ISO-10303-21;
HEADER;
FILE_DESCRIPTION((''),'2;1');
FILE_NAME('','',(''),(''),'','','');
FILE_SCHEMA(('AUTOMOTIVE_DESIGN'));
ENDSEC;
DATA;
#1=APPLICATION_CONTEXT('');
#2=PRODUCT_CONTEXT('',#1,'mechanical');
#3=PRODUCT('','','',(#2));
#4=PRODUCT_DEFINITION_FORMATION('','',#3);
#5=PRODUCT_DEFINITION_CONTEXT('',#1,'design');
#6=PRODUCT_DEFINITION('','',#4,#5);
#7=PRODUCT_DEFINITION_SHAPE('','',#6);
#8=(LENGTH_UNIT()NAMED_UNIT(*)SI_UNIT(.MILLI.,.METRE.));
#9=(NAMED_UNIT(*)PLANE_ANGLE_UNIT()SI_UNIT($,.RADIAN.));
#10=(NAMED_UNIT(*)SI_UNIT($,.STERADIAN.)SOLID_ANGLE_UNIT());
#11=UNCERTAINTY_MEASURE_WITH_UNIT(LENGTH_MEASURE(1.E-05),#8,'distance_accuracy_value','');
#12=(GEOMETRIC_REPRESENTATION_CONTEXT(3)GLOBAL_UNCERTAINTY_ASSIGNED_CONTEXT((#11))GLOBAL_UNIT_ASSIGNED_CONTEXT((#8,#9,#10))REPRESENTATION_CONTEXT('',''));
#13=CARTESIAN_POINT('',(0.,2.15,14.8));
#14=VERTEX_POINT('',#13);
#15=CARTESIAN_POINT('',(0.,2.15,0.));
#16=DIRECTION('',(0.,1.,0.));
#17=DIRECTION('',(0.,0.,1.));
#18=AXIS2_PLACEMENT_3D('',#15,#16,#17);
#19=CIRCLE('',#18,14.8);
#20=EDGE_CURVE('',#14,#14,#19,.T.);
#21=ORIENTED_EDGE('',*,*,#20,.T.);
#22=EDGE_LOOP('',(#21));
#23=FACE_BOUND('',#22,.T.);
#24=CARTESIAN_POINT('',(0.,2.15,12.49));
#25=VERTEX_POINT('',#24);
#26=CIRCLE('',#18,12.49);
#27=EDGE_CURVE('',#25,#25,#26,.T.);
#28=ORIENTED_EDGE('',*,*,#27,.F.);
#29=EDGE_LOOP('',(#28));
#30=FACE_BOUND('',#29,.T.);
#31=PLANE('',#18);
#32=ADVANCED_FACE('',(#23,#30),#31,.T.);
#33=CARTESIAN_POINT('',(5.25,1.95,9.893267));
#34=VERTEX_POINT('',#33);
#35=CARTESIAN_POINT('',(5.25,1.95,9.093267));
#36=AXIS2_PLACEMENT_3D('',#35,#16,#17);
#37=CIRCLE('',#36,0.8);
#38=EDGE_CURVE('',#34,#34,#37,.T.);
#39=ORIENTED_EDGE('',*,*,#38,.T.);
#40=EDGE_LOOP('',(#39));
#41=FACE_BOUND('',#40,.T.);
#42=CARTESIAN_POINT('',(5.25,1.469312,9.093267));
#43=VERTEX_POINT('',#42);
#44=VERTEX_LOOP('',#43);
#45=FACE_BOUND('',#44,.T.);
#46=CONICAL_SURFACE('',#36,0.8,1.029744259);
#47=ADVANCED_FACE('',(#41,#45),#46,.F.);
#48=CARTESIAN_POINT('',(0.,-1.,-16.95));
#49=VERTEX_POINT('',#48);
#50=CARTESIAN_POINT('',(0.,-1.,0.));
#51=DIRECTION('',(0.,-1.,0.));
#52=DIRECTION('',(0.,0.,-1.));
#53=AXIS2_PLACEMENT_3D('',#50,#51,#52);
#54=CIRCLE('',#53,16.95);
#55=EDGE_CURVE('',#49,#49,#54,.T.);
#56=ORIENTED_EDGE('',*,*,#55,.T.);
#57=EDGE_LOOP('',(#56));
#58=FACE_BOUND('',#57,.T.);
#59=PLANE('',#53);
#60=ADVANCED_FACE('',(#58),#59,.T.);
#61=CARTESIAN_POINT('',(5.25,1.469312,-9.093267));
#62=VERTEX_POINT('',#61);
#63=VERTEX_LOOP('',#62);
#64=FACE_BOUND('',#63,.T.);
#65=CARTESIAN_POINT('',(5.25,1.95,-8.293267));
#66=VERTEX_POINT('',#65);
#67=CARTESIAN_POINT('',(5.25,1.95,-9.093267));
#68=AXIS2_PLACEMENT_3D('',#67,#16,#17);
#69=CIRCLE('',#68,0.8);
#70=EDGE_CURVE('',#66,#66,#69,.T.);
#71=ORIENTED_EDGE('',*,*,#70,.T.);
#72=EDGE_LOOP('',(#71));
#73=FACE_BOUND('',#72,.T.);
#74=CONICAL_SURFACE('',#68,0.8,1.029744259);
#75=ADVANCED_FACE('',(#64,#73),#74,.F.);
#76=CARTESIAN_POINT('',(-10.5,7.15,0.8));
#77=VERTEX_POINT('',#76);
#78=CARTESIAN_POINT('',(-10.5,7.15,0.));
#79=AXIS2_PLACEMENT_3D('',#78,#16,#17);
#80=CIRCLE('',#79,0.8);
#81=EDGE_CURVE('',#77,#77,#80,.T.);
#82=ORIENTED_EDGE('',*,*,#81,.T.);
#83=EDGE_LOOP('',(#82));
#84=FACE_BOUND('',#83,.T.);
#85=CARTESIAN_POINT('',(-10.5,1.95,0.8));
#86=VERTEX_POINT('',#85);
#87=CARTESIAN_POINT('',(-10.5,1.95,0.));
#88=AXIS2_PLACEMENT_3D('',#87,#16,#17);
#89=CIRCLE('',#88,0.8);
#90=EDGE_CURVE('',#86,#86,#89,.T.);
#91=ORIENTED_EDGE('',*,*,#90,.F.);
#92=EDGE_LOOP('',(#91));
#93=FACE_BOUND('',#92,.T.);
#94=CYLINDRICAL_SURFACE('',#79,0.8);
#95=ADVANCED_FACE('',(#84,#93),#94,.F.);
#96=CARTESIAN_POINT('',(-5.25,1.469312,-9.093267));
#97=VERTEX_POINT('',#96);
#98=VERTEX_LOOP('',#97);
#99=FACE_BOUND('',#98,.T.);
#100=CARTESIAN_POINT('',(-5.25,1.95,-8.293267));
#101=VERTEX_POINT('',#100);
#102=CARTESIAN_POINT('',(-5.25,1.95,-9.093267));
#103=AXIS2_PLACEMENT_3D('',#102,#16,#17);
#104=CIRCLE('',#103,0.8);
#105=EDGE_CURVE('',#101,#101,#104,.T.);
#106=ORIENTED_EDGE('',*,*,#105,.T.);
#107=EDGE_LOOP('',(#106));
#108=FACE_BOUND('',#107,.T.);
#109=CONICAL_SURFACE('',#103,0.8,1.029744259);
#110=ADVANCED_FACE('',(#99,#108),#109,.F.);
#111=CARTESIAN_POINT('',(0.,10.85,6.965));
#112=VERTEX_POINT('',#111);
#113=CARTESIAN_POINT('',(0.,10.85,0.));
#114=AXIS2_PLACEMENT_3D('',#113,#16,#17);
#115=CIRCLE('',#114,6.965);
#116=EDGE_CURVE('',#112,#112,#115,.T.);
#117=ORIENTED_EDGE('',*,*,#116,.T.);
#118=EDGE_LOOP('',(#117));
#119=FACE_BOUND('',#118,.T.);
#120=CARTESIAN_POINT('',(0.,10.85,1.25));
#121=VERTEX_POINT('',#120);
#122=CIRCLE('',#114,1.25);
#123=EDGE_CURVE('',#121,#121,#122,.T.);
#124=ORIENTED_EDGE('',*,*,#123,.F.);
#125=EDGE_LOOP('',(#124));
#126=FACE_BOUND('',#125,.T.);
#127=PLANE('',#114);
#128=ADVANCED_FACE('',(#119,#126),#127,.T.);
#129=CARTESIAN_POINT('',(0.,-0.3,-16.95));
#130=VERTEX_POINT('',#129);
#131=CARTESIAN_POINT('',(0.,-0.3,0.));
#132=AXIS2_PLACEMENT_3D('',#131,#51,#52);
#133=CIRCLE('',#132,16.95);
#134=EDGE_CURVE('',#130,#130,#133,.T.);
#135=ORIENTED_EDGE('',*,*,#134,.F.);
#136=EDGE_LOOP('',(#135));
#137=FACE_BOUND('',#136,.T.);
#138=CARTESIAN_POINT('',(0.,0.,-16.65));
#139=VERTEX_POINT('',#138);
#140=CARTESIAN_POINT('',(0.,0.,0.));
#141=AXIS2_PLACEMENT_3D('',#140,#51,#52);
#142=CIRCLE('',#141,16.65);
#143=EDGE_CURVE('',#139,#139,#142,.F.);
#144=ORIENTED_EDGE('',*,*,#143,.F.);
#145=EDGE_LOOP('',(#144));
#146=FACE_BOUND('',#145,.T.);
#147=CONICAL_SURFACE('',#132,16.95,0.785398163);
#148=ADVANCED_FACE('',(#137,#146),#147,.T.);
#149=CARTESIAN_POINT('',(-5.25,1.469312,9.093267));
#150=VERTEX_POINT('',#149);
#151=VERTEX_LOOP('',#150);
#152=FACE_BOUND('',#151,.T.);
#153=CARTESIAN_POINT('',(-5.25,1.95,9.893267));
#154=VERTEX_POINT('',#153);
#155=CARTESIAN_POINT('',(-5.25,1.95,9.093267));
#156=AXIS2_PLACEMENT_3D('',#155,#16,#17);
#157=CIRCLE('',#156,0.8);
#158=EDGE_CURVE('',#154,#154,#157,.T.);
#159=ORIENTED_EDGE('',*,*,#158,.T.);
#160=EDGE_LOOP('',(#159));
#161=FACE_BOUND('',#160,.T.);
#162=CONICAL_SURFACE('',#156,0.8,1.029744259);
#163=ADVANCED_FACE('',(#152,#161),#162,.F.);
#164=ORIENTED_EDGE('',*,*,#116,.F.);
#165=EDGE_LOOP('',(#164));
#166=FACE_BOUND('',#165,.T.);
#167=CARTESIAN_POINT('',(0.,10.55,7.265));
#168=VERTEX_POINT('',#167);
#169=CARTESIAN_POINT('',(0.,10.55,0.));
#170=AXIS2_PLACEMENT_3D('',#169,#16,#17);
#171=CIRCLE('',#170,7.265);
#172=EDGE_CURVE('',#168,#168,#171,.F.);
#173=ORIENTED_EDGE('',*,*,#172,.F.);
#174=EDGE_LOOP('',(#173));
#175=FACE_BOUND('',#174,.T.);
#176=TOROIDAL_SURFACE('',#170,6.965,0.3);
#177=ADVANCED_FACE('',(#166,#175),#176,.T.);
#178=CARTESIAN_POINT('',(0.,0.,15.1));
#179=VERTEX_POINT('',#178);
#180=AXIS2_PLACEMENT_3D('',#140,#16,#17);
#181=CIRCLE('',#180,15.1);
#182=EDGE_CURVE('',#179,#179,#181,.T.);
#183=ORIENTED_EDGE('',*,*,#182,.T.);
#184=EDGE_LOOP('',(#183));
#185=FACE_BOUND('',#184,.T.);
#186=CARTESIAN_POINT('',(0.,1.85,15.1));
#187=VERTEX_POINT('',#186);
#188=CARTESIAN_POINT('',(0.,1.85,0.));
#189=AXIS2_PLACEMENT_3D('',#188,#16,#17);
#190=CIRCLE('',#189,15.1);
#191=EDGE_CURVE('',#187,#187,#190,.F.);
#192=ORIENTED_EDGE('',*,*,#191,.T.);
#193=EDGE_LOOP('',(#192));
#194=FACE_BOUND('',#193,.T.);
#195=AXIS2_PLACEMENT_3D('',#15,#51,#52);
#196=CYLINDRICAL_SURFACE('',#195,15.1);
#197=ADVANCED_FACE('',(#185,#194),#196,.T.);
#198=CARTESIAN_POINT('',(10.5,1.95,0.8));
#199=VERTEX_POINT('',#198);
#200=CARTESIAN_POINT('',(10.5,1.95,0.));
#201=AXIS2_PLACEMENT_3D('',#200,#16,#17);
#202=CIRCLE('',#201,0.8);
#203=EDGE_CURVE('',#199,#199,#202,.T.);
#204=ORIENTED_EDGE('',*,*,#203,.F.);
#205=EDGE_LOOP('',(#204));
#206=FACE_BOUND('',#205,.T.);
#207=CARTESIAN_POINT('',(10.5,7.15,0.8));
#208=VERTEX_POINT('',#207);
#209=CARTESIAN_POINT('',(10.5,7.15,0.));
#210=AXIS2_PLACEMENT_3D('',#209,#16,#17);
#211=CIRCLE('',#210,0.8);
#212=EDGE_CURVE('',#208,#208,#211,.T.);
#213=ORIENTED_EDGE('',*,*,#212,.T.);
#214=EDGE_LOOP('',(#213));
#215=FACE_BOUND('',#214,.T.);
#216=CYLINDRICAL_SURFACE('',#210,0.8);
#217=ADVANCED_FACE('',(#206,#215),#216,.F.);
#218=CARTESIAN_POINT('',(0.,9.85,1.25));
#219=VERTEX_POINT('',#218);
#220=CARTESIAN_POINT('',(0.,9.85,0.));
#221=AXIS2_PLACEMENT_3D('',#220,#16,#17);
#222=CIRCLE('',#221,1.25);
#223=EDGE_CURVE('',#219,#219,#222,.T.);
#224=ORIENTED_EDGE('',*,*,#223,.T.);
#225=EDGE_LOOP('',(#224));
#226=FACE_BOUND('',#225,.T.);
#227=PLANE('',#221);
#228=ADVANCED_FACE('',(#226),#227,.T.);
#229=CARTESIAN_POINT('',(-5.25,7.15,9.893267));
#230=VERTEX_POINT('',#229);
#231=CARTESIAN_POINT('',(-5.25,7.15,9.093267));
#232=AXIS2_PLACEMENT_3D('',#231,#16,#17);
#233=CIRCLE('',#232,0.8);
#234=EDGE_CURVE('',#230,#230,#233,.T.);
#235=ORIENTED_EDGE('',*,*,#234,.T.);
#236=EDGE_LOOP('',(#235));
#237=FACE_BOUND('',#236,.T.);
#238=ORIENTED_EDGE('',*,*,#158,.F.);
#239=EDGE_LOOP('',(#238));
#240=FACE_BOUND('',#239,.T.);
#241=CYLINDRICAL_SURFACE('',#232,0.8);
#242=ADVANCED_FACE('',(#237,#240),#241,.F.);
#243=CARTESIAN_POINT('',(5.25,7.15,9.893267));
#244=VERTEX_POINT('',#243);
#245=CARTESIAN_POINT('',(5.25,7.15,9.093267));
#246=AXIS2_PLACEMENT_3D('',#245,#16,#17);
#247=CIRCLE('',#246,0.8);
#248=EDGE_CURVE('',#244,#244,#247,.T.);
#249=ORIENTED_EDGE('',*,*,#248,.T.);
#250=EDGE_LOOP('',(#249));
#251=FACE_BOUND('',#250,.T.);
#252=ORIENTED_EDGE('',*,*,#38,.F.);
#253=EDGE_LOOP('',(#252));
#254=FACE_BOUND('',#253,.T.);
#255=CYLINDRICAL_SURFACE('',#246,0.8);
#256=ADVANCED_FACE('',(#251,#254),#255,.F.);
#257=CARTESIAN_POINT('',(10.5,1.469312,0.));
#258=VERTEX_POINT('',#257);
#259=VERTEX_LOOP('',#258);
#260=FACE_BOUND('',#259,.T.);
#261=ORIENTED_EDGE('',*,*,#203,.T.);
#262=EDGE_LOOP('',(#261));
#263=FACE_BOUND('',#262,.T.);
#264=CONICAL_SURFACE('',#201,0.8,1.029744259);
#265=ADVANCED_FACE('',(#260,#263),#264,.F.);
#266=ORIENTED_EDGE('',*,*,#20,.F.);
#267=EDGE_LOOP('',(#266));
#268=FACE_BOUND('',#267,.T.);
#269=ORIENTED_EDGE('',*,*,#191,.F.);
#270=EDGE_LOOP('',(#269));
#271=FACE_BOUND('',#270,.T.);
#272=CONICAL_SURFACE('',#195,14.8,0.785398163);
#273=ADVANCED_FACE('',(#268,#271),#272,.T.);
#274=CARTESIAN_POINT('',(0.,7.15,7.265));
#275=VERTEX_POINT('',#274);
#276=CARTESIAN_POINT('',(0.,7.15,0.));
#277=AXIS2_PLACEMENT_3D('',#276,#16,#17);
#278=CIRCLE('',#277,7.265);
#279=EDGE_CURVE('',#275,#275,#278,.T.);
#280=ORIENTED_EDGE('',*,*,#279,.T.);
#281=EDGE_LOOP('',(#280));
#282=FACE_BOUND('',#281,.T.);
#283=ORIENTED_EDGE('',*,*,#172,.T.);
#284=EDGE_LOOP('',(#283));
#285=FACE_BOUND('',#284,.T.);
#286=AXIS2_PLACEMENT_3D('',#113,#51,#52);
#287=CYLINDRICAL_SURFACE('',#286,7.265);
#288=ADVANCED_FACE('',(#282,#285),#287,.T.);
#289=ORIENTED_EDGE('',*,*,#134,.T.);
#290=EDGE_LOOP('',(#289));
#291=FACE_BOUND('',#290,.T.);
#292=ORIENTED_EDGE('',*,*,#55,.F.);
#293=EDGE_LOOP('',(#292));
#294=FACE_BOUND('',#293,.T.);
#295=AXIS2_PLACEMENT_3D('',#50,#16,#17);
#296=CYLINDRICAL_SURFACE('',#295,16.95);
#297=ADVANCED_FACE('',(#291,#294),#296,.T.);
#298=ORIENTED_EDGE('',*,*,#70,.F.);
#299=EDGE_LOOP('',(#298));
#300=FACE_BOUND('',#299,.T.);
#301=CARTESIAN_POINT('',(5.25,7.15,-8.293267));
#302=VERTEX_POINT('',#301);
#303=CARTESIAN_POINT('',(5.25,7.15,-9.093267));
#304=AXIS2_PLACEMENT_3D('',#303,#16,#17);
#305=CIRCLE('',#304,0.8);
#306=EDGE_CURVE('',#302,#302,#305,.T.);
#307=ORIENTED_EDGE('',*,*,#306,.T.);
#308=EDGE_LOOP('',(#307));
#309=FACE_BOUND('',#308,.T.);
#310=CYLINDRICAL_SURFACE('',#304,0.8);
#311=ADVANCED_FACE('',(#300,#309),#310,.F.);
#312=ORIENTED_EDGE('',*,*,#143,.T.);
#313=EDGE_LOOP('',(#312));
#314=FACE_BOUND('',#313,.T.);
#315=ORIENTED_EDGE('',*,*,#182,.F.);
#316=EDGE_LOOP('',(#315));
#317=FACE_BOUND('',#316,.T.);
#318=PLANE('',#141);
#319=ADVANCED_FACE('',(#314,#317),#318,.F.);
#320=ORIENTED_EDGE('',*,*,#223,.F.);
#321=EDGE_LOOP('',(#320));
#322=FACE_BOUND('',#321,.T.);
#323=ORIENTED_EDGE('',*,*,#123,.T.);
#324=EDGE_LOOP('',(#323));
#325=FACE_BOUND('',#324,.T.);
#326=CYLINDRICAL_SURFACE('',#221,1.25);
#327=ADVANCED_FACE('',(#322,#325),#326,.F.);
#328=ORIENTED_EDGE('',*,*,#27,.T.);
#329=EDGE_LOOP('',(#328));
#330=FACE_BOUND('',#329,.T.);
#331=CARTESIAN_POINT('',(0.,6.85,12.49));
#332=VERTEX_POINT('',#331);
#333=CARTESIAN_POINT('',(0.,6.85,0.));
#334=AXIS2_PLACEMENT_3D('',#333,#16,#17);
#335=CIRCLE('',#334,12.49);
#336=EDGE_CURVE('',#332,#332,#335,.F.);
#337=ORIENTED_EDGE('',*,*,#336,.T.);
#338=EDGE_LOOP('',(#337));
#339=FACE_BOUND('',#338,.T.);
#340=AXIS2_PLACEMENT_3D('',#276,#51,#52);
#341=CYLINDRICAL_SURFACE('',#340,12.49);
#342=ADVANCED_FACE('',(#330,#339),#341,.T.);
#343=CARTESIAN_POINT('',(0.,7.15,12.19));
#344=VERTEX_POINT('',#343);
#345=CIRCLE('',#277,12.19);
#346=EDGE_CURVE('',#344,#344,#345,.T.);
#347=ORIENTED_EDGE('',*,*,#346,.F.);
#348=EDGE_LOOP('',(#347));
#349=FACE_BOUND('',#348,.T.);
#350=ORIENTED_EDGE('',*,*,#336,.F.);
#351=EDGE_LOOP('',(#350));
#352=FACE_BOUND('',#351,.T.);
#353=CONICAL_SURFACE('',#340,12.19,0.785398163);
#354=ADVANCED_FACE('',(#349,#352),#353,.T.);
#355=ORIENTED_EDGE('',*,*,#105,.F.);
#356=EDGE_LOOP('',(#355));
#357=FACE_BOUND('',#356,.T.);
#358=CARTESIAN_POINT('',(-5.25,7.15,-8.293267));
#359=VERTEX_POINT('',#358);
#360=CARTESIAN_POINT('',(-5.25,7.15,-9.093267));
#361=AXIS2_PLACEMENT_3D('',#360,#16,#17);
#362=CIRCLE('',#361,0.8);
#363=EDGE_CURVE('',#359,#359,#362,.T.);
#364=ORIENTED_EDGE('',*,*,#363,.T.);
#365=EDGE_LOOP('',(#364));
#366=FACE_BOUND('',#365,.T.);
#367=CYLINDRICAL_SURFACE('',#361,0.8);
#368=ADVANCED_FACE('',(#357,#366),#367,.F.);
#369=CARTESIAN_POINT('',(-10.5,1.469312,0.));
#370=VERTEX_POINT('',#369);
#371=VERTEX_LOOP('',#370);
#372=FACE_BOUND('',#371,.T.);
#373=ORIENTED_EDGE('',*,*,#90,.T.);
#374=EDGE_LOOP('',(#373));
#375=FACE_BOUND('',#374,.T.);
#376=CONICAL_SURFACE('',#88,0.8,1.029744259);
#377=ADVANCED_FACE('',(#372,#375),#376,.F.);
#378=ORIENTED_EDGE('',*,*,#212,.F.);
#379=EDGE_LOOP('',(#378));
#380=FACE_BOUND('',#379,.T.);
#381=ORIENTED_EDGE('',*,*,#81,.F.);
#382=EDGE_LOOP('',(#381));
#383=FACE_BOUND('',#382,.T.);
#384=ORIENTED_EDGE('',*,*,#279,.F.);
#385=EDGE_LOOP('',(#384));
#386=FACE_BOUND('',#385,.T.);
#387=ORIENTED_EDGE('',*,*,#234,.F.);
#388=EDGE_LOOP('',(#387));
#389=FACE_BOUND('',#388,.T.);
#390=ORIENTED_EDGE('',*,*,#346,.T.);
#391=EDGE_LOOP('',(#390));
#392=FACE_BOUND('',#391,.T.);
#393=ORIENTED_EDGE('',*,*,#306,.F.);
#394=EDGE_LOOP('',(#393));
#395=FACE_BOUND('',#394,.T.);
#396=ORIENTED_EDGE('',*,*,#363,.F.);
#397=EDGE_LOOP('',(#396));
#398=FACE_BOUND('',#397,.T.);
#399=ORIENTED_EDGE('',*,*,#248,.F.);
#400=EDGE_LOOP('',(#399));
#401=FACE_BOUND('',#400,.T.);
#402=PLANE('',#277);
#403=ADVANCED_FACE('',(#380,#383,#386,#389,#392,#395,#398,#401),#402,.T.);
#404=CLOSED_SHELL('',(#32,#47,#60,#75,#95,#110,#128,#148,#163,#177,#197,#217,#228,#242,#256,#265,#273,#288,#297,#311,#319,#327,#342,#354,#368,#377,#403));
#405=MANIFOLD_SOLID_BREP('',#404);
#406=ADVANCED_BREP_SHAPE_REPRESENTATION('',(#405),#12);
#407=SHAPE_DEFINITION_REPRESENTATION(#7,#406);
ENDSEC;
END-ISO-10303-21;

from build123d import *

# Parameters (mm, degrees)
SKETCH_1_R             = 15.1
EXTRUDE_1_DEPTH        = 2.15
SKETCH_2_R             = 12.49
EXTRUDE_2_DEPTH        = 5
SKETCH_3_R             = 7.265
EXTRUDE_3_DEPTH        = 3.7
SKETCH_4_R             = 16.95
EXTRUDE_4_DEPTH        = 1
SKETCH_5_R             = 1.25
CUT_EXTRUDE_1_DEPTH    = 1
FILLET_1_R             = 0.3
CHAMFER_1_SIZE         = 0.3
HOLE_WIZARD_M2_1_D     = 1.6
HOLE_WIZARD_M2_1_DEPTH = 5.2
HOLE_WIZARD_M2_1_TIP   = 0.480688495


with BuildPart() as part:
    # 草图1 → 凸台-拉伸1 (new body)
    with BuildSketch(Plane(origin=(0, 0, 0), x_dir=(1, 0, 0), z_dir=(0, 1, 0))):
        Circle(SKETCH_1_R)
    extrude(amount=EXTRUDE_1_DEPTH)

    # 草图2 → 凸台-拉伸2 (add)
    with BuildSketch(Plane(origin=(0, 2.15, 0), x_dir=(1, 0, 0), z_dir=(0, 1, 0))):
        Circle(SKETCH_2_R)
    extrude(amount=EXTRUDE_2_DEPTH)

    # 草图3 → 凸台-拉伸3 (add)
    with BuildSketch(Plane(origin=(0, 7.15, 0), x_dir=(1, 0, 0), z_dir=(0, 1, 0))):
        Circle(SKETCH_3_R)
    extrude(amount=EXTRUDE_3_DEPTH)

    # 草图4 → 凸台-拉伸4 (add)
    with BuildSketch(Plane(origin=(0, 0, 0), x_dir=(-1, 0, 0), z_dir=(0, -1, 0))):
        Circle(SKETCH_4_R)
    extrude(amount=EXTRUDE_4_DEPTH)

    # 草图5 → 切除-拉伸1 (cut)
    with BuildSketch(Plane(origin=(0, 10.85, 0), x_dir=(1, 0, 0), z_dir=(0, 1, 0))):
        Circle(SKETCH_5_R)
    extrude(amount=-CUT_EXTRUDE_1_DEPTH, mode=Mode.SUBTRACT)

    # 圆角1
    fillet_1_edges = [part.edges().sort_by_distance(p)[0] for p in [
        (-7.265, 10.85, 0),
    ]]
    fillet(fillet_1_edges, radius=FILLET_1_R)

    # 倒角1
    chamfer_1_edges = [part.edges().sort_by_distance(p)[0] for p in [
        (16.95, 0, 0),
        (-15.1, 2.15, 0),
        (-12.49, 7.15, 0),
    ]]
    chamfer(chamfer_1_edges, length=CHAMFER_1_SIZE)

    # M2 螺纹孔1
    with Locations(Plane(origin=(0, 7.15, 0), x_dir=(1, 0, 0), z_dir=(0, 1, 0))):
        with Locations((5.25, 9.09326674), (10.5, 0), (5.25, -9.09326674), (-5.25, -9.09326674), (-10.5, 0), (-5.25, 9.09326674)):
            Hole(HOLE_WIZARD_M2_1_D / 2, depth=HOLE_WIZARD_M2_1_DEPTH)
            with Locations((0, 0, -(HOLE_WIZARD_M2_1_DEPTH + HOLE_WIZARD_M2_1_TIP / 2))):  # 118° drill point
                Cone(0, HOLE_WIZARD_M2_1_D / 2, HOLE_WIZARD_M2_1_TIP, mode=Mode.SUBTRACT)


solid = part.part
